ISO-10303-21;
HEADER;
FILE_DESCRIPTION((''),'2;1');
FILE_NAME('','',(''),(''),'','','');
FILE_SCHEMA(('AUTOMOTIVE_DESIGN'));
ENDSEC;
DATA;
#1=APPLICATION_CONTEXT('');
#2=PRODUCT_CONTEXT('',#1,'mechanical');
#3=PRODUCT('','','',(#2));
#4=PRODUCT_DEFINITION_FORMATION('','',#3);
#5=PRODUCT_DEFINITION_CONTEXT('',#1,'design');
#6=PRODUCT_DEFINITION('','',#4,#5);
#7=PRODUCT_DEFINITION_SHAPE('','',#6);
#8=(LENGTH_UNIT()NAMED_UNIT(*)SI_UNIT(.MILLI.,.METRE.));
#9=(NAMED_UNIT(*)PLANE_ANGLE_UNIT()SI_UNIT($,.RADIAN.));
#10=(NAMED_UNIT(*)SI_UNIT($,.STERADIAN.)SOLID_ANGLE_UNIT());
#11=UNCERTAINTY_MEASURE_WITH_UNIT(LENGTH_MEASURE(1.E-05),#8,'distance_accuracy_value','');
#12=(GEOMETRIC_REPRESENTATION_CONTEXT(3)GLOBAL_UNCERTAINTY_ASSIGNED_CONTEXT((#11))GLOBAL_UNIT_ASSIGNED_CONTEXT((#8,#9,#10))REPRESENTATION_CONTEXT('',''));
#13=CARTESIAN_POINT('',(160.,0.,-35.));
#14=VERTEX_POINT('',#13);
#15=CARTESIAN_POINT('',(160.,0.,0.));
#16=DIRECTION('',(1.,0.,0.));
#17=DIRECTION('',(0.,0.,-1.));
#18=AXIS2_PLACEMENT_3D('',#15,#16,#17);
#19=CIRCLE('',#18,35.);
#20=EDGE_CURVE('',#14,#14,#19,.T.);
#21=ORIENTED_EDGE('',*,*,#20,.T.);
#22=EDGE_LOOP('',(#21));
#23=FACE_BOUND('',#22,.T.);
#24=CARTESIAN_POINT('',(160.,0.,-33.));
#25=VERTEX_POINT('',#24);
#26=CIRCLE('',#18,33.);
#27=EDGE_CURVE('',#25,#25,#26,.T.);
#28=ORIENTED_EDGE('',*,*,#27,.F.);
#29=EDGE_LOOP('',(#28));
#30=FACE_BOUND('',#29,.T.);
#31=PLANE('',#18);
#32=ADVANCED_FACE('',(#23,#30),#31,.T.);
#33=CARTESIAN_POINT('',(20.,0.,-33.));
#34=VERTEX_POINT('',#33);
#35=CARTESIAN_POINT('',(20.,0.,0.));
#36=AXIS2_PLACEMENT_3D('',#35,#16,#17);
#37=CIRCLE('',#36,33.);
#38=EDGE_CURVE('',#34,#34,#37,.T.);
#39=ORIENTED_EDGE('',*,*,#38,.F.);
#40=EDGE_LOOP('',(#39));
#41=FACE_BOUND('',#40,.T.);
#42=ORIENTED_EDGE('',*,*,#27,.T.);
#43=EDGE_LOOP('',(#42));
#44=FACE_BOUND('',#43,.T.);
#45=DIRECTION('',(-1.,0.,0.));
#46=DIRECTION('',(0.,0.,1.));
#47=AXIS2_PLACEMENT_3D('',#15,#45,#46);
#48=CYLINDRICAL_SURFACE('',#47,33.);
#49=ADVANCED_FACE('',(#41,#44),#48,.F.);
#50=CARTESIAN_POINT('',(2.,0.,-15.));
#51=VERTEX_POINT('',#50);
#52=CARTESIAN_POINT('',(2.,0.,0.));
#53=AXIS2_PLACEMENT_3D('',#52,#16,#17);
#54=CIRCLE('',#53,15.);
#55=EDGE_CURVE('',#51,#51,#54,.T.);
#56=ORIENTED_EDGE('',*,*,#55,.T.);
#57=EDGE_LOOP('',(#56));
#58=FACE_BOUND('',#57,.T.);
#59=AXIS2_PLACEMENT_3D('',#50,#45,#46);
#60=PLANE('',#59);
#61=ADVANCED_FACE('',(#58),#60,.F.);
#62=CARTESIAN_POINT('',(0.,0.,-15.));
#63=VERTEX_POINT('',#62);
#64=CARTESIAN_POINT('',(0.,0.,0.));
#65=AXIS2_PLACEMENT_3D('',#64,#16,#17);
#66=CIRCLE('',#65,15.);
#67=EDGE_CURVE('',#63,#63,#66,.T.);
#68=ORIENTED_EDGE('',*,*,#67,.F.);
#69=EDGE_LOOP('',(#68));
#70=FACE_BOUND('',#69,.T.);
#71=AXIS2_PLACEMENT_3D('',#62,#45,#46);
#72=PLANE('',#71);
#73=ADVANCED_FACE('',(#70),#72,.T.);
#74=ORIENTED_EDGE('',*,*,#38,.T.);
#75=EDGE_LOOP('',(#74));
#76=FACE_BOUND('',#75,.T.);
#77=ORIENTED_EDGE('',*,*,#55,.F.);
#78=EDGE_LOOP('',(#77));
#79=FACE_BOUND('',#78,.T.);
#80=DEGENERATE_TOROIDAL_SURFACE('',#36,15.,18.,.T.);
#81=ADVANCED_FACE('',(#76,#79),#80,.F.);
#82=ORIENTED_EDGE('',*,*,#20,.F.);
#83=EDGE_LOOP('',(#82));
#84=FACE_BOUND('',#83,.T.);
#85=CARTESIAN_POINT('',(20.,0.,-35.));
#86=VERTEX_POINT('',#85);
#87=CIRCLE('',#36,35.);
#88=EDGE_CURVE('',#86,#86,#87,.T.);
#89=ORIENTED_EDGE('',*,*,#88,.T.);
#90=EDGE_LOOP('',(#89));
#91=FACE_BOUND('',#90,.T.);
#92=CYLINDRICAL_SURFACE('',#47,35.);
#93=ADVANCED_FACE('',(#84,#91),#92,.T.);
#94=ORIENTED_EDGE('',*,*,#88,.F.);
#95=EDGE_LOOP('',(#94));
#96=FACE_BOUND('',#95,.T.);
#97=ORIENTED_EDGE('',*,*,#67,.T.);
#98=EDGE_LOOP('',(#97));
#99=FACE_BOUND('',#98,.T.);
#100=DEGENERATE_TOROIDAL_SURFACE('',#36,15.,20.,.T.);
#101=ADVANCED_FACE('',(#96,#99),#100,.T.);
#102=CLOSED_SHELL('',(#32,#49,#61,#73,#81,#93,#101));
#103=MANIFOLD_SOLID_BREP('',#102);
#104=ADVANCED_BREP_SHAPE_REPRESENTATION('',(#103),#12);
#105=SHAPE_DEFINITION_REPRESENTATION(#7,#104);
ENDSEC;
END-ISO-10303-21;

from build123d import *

# Parameters (mm, degrees)
THICKEN1_T2         = 2
SKETCH2_R           = 35
SKETCH2_R_2         = 33
BOSS_EXTRUDE1_DEPTH = 140


with BuildPart() as body_1:
    # Surface-Revolve1: a surface, the sketch's curves turned about an axis
    with BuildLine(Plane(origin=(0, 0, 0), x_dir=(1, 0, 0), z_dir=(0, 1, 0)), mode=Mode.PRIVATE) as surface_revolve1_1_path:
        Line((0, 0), (0, 15))
        ThreePointArc((0, 15), (5.857864376, 29.142135624), (20, 35))
    surface_revolve1_1 = Shell.revolve(surface_revolve1_1_path.wire(), 360, Axis((0, 0, 0), (1, 0, 0)))
    add(Solid.thicken(surface_revolve1_1, -THICKEN1_T2))

    # Sketch2 → Boss-Extrude1 (add)
    with BuildSketch(Plane(origin=(20, 0, 0), x_dir=(0, 0, -1), z_dir=(1, 0, 0))):
        Circle(SKETCH2_R)
        Circle(SKETCH2_R_2, mode=Mode.SUBTRACT)
    extrude(amount=BOSS_EXTRUDE1_DEPTH)


solid = body_1.part
